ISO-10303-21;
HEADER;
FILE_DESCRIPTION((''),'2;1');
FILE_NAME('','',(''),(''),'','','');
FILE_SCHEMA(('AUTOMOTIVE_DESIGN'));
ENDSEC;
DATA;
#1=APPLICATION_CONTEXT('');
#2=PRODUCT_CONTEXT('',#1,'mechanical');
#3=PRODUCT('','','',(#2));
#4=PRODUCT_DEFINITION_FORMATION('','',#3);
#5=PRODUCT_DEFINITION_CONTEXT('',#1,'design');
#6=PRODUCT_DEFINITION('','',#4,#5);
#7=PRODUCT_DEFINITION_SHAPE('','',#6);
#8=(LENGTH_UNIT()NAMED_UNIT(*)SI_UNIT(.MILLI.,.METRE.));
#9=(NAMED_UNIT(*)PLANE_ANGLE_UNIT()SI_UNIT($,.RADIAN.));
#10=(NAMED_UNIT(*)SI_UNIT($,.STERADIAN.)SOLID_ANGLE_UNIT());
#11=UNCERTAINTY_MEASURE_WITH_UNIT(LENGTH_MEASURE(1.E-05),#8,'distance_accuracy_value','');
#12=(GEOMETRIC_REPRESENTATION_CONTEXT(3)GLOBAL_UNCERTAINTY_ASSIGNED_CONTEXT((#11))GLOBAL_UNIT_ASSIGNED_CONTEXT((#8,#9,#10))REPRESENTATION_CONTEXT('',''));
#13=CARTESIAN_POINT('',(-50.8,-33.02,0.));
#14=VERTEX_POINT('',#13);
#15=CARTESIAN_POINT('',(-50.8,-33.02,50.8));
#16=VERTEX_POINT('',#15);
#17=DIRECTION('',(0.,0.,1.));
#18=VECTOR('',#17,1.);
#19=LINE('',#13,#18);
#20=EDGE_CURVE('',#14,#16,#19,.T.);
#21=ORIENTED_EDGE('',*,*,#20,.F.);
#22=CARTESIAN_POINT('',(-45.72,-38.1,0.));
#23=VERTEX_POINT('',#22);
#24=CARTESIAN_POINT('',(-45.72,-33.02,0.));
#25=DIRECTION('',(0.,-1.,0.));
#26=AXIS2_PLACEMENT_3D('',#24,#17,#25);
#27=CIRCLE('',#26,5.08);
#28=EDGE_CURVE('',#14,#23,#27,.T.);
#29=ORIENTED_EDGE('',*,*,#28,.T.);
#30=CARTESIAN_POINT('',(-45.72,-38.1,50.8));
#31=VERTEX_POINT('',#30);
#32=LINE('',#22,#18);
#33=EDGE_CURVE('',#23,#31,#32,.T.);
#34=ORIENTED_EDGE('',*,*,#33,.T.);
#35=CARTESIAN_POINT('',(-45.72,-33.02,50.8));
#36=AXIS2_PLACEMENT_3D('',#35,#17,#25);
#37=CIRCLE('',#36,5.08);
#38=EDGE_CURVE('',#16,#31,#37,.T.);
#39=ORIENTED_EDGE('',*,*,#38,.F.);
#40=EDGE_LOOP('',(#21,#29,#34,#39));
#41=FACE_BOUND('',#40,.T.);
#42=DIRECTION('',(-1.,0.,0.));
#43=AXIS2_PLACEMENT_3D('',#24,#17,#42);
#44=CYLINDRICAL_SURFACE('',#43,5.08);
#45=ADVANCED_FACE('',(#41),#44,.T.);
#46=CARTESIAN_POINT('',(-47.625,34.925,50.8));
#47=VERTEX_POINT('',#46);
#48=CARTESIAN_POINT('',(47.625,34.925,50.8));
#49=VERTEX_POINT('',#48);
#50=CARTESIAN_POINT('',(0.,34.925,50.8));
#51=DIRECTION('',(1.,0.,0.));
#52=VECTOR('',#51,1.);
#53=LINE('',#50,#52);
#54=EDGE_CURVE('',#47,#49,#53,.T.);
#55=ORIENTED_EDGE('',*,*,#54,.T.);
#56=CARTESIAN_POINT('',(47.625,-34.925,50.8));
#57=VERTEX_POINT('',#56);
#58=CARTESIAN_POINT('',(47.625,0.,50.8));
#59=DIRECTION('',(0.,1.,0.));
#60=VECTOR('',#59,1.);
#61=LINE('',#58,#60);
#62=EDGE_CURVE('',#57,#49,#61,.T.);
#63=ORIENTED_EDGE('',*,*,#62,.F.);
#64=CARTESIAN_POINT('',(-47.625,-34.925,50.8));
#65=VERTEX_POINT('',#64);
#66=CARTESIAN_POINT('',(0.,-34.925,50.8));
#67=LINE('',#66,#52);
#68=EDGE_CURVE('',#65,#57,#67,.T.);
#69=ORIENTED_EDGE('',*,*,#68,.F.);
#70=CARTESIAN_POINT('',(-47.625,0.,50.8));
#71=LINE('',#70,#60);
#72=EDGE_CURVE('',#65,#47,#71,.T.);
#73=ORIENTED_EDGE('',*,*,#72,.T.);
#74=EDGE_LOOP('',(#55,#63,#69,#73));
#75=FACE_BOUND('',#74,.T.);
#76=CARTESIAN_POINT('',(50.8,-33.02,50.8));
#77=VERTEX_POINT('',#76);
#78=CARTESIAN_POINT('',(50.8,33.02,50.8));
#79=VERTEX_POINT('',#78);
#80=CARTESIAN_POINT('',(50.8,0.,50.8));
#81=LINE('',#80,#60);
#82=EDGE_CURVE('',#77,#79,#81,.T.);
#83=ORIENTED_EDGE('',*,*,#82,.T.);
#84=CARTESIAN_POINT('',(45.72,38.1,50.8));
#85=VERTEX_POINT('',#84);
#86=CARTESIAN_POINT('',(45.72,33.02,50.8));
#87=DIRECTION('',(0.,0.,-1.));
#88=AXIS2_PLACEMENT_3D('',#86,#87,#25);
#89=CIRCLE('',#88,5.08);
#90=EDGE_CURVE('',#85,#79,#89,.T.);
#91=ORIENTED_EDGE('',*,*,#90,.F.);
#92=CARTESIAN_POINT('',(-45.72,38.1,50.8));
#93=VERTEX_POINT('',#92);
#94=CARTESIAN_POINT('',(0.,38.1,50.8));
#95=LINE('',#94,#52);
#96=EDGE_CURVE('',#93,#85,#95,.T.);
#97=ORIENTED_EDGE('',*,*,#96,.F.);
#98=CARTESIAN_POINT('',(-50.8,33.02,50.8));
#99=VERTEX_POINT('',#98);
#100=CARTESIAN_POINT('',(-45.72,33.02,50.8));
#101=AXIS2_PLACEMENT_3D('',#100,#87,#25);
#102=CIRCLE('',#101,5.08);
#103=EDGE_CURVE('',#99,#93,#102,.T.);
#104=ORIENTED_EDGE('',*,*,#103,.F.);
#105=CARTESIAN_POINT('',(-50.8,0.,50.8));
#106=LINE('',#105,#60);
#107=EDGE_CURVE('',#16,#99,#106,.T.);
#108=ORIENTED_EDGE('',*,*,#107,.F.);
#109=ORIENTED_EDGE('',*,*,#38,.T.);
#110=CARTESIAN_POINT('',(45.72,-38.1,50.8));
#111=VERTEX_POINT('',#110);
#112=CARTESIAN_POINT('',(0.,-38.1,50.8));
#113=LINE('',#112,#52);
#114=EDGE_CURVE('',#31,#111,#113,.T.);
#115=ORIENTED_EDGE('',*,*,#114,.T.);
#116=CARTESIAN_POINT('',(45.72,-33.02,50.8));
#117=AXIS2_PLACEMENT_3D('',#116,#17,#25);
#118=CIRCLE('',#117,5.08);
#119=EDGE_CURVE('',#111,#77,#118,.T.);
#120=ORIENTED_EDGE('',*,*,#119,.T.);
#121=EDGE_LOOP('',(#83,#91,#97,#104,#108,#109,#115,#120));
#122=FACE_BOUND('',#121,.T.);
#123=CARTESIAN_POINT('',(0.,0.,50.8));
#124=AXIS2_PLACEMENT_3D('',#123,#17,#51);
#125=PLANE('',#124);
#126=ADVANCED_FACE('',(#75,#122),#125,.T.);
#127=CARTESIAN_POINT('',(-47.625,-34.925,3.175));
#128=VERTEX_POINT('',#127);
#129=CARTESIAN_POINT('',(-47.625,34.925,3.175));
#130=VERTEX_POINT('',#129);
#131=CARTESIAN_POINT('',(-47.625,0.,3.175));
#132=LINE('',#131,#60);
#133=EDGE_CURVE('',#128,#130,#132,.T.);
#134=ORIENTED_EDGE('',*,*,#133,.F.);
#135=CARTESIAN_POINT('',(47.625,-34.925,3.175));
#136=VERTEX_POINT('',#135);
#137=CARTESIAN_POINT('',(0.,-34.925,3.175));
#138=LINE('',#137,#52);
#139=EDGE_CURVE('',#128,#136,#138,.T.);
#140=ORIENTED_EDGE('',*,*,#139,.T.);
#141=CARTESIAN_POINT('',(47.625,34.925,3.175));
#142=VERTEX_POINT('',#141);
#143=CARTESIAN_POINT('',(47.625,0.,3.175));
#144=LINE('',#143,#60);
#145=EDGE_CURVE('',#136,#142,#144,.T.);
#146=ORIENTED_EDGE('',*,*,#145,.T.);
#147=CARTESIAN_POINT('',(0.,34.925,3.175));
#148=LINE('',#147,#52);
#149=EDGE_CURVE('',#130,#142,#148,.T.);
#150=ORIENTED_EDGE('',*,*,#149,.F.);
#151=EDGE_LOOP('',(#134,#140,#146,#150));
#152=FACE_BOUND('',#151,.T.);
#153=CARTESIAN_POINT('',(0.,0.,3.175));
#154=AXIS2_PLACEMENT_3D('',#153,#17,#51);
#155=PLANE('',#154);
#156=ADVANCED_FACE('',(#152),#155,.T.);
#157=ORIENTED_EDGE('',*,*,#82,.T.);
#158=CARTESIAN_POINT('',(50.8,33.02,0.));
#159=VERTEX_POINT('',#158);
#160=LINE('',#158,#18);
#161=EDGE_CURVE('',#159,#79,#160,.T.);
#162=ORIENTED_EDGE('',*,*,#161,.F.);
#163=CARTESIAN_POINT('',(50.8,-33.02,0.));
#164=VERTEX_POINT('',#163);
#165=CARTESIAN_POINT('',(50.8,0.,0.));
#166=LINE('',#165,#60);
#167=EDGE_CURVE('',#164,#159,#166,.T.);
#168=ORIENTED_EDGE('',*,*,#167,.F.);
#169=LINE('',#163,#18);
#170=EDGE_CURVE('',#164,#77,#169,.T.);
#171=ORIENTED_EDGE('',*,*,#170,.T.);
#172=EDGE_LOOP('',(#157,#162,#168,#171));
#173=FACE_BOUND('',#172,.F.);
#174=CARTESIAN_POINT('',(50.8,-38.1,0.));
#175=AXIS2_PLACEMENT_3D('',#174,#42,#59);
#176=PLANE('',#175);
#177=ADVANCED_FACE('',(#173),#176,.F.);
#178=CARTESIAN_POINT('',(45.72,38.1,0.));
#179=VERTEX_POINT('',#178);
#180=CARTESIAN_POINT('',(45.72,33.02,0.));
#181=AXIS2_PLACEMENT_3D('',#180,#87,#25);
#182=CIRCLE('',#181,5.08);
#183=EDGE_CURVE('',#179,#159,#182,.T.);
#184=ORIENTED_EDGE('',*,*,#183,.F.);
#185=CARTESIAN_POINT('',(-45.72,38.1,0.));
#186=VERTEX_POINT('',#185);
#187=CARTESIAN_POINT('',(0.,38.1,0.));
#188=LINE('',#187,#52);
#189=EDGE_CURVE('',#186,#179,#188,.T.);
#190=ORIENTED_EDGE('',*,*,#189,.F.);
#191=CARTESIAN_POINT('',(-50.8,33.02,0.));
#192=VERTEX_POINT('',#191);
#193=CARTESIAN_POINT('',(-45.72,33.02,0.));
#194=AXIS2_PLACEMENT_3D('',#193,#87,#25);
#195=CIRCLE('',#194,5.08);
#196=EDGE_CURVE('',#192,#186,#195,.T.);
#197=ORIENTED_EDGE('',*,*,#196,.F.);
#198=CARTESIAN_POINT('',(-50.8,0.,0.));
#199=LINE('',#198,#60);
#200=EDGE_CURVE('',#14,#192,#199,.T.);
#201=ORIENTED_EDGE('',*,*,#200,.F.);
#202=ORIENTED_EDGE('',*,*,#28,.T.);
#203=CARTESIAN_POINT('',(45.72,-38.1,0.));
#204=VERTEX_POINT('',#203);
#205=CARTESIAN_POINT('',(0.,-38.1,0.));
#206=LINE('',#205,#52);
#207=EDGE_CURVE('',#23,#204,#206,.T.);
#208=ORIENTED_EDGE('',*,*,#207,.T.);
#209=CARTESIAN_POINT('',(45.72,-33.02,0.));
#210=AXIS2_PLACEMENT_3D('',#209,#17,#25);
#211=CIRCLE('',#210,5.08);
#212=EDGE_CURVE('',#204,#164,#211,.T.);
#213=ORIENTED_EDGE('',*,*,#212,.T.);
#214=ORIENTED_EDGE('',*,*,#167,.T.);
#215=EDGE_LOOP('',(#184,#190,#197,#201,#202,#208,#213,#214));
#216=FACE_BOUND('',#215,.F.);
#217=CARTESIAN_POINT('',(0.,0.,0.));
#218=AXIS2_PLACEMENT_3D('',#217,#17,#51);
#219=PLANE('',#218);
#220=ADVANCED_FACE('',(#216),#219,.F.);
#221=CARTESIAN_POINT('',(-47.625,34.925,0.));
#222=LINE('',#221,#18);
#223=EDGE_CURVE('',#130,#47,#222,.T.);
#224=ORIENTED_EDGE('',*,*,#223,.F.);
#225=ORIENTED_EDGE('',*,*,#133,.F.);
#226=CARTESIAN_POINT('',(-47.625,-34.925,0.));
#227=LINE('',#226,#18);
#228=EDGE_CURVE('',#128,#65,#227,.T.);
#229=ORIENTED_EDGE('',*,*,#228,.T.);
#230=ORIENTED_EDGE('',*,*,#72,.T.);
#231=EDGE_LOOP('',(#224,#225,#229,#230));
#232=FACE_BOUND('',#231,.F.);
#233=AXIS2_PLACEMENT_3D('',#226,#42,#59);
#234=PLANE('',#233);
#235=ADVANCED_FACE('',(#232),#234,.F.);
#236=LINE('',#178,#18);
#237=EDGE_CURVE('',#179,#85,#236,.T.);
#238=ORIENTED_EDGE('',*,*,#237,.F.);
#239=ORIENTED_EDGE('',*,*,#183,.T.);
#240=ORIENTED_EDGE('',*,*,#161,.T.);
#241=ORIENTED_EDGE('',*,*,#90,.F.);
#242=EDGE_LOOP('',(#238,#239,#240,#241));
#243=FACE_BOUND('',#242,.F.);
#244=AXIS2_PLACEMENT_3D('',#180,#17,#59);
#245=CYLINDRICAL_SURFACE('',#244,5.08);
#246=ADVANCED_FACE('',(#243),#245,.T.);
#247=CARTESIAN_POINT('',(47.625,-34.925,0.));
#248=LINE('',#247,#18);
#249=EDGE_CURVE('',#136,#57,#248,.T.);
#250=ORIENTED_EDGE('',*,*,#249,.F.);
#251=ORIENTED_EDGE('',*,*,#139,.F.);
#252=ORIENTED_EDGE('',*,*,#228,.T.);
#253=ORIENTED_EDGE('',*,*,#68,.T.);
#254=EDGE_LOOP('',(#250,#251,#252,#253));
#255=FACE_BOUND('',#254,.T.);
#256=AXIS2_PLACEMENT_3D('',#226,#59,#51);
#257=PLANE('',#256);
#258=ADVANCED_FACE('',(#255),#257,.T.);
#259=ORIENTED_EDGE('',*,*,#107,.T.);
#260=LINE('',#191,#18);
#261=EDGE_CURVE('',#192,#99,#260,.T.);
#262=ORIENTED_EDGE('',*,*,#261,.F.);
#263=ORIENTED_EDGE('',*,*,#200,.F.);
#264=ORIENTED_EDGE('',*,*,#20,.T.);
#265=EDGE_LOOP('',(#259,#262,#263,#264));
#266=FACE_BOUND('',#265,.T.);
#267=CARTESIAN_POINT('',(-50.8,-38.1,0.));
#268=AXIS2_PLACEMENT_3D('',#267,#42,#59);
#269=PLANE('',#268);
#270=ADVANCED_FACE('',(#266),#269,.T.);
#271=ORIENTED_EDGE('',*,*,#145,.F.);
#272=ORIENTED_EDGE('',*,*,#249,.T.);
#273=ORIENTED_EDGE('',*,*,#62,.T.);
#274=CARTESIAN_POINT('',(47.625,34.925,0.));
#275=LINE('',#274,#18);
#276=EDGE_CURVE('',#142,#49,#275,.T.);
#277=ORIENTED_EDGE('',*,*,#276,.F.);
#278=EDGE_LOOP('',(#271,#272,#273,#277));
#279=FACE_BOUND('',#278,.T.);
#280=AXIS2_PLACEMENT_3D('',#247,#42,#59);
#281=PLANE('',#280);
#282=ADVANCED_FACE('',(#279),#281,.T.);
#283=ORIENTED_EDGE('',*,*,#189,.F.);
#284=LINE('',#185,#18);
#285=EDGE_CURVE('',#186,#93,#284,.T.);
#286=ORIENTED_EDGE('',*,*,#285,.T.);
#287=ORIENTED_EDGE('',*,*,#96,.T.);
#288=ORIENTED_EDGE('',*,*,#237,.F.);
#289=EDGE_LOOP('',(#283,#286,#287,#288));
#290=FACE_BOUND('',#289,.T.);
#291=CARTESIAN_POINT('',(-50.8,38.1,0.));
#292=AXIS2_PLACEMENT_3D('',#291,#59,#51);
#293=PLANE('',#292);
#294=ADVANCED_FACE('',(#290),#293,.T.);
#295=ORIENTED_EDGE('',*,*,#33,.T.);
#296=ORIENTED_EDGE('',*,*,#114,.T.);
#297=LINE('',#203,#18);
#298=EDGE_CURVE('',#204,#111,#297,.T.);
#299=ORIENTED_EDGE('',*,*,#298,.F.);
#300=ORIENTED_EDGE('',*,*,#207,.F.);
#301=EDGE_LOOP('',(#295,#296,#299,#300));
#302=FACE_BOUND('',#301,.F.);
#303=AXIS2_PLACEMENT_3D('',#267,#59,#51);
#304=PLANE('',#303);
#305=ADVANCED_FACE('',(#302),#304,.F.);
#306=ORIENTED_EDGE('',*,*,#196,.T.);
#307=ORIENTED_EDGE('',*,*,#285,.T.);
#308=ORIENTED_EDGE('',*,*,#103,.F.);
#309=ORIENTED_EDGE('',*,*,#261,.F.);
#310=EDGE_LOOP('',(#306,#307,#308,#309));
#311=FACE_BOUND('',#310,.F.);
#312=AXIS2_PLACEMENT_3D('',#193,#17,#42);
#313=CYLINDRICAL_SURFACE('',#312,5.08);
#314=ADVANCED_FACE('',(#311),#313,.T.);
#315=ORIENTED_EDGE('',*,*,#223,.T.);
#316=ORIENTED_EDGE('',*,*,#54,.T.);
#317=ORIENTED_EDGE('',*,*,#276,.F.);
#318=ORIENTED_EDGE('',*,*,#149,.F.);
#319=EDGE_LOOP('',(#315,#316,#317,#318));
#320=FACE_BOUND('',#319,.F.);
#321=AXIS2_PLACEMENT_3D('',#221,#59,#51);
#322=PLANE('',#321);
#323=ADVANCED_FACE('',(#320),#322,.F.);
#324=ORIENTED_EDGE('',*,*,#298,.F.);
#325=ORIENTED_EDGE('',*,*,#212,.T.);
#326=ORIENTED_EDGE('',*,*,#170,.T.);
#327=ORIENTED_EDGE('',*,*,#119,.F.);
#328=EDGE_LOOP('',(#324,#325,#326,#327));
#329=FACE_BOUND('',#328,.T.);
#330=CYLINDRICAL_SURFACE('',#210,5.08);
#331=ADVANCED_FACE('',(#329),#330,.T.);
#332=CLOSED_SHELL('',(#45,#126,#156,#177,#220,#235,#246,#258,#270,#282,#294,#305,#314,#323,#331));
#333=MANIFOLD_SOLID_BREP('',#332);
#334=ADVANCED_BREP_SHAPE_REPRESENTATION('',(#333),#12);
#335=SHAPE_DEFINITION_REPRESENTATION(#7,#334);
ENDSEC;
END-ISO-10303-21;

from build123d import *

# Parameters (mm, degrees)
F0_W     = 101.6
F0_H     = 76.2
F0_W_2   = 95.25
F0_H_2   = 69.85
F1_DEPTH = 50.8
F2_DEPTH = 3.175
F3_R     = 5.08


with BuildPart() as f1:
    # F0 (on Top) → F1 (new body)
    with BuildSketch(Plane.XY):
        Rectangle(F0_W, F0_H)
        Rectangle(F0_W_2, F0_H_2, mode=Mode.SUBTRACT)
    extrude(amount=F1_DEPTH)

    # F0 (on Top) → F2 (join)
    with BuildSketch(Plane.XY):
        Rectangle(F0_W_2, F0_H_2)
    extrude(amount=F2_DEPTH)

    # F3
    f3_edges = [f1.edges().sort_by_distance(p)[0] for p in [
        (50.8, 38.1, 25.4),
        (50.8, -38.1, 25.4),
        (-50.8, 38.1, 25.4),
        (-50.8, -38.1, 25.4),
    ]]
    fillet(f3_edges, radius=F3_R)


solid = f1.part
